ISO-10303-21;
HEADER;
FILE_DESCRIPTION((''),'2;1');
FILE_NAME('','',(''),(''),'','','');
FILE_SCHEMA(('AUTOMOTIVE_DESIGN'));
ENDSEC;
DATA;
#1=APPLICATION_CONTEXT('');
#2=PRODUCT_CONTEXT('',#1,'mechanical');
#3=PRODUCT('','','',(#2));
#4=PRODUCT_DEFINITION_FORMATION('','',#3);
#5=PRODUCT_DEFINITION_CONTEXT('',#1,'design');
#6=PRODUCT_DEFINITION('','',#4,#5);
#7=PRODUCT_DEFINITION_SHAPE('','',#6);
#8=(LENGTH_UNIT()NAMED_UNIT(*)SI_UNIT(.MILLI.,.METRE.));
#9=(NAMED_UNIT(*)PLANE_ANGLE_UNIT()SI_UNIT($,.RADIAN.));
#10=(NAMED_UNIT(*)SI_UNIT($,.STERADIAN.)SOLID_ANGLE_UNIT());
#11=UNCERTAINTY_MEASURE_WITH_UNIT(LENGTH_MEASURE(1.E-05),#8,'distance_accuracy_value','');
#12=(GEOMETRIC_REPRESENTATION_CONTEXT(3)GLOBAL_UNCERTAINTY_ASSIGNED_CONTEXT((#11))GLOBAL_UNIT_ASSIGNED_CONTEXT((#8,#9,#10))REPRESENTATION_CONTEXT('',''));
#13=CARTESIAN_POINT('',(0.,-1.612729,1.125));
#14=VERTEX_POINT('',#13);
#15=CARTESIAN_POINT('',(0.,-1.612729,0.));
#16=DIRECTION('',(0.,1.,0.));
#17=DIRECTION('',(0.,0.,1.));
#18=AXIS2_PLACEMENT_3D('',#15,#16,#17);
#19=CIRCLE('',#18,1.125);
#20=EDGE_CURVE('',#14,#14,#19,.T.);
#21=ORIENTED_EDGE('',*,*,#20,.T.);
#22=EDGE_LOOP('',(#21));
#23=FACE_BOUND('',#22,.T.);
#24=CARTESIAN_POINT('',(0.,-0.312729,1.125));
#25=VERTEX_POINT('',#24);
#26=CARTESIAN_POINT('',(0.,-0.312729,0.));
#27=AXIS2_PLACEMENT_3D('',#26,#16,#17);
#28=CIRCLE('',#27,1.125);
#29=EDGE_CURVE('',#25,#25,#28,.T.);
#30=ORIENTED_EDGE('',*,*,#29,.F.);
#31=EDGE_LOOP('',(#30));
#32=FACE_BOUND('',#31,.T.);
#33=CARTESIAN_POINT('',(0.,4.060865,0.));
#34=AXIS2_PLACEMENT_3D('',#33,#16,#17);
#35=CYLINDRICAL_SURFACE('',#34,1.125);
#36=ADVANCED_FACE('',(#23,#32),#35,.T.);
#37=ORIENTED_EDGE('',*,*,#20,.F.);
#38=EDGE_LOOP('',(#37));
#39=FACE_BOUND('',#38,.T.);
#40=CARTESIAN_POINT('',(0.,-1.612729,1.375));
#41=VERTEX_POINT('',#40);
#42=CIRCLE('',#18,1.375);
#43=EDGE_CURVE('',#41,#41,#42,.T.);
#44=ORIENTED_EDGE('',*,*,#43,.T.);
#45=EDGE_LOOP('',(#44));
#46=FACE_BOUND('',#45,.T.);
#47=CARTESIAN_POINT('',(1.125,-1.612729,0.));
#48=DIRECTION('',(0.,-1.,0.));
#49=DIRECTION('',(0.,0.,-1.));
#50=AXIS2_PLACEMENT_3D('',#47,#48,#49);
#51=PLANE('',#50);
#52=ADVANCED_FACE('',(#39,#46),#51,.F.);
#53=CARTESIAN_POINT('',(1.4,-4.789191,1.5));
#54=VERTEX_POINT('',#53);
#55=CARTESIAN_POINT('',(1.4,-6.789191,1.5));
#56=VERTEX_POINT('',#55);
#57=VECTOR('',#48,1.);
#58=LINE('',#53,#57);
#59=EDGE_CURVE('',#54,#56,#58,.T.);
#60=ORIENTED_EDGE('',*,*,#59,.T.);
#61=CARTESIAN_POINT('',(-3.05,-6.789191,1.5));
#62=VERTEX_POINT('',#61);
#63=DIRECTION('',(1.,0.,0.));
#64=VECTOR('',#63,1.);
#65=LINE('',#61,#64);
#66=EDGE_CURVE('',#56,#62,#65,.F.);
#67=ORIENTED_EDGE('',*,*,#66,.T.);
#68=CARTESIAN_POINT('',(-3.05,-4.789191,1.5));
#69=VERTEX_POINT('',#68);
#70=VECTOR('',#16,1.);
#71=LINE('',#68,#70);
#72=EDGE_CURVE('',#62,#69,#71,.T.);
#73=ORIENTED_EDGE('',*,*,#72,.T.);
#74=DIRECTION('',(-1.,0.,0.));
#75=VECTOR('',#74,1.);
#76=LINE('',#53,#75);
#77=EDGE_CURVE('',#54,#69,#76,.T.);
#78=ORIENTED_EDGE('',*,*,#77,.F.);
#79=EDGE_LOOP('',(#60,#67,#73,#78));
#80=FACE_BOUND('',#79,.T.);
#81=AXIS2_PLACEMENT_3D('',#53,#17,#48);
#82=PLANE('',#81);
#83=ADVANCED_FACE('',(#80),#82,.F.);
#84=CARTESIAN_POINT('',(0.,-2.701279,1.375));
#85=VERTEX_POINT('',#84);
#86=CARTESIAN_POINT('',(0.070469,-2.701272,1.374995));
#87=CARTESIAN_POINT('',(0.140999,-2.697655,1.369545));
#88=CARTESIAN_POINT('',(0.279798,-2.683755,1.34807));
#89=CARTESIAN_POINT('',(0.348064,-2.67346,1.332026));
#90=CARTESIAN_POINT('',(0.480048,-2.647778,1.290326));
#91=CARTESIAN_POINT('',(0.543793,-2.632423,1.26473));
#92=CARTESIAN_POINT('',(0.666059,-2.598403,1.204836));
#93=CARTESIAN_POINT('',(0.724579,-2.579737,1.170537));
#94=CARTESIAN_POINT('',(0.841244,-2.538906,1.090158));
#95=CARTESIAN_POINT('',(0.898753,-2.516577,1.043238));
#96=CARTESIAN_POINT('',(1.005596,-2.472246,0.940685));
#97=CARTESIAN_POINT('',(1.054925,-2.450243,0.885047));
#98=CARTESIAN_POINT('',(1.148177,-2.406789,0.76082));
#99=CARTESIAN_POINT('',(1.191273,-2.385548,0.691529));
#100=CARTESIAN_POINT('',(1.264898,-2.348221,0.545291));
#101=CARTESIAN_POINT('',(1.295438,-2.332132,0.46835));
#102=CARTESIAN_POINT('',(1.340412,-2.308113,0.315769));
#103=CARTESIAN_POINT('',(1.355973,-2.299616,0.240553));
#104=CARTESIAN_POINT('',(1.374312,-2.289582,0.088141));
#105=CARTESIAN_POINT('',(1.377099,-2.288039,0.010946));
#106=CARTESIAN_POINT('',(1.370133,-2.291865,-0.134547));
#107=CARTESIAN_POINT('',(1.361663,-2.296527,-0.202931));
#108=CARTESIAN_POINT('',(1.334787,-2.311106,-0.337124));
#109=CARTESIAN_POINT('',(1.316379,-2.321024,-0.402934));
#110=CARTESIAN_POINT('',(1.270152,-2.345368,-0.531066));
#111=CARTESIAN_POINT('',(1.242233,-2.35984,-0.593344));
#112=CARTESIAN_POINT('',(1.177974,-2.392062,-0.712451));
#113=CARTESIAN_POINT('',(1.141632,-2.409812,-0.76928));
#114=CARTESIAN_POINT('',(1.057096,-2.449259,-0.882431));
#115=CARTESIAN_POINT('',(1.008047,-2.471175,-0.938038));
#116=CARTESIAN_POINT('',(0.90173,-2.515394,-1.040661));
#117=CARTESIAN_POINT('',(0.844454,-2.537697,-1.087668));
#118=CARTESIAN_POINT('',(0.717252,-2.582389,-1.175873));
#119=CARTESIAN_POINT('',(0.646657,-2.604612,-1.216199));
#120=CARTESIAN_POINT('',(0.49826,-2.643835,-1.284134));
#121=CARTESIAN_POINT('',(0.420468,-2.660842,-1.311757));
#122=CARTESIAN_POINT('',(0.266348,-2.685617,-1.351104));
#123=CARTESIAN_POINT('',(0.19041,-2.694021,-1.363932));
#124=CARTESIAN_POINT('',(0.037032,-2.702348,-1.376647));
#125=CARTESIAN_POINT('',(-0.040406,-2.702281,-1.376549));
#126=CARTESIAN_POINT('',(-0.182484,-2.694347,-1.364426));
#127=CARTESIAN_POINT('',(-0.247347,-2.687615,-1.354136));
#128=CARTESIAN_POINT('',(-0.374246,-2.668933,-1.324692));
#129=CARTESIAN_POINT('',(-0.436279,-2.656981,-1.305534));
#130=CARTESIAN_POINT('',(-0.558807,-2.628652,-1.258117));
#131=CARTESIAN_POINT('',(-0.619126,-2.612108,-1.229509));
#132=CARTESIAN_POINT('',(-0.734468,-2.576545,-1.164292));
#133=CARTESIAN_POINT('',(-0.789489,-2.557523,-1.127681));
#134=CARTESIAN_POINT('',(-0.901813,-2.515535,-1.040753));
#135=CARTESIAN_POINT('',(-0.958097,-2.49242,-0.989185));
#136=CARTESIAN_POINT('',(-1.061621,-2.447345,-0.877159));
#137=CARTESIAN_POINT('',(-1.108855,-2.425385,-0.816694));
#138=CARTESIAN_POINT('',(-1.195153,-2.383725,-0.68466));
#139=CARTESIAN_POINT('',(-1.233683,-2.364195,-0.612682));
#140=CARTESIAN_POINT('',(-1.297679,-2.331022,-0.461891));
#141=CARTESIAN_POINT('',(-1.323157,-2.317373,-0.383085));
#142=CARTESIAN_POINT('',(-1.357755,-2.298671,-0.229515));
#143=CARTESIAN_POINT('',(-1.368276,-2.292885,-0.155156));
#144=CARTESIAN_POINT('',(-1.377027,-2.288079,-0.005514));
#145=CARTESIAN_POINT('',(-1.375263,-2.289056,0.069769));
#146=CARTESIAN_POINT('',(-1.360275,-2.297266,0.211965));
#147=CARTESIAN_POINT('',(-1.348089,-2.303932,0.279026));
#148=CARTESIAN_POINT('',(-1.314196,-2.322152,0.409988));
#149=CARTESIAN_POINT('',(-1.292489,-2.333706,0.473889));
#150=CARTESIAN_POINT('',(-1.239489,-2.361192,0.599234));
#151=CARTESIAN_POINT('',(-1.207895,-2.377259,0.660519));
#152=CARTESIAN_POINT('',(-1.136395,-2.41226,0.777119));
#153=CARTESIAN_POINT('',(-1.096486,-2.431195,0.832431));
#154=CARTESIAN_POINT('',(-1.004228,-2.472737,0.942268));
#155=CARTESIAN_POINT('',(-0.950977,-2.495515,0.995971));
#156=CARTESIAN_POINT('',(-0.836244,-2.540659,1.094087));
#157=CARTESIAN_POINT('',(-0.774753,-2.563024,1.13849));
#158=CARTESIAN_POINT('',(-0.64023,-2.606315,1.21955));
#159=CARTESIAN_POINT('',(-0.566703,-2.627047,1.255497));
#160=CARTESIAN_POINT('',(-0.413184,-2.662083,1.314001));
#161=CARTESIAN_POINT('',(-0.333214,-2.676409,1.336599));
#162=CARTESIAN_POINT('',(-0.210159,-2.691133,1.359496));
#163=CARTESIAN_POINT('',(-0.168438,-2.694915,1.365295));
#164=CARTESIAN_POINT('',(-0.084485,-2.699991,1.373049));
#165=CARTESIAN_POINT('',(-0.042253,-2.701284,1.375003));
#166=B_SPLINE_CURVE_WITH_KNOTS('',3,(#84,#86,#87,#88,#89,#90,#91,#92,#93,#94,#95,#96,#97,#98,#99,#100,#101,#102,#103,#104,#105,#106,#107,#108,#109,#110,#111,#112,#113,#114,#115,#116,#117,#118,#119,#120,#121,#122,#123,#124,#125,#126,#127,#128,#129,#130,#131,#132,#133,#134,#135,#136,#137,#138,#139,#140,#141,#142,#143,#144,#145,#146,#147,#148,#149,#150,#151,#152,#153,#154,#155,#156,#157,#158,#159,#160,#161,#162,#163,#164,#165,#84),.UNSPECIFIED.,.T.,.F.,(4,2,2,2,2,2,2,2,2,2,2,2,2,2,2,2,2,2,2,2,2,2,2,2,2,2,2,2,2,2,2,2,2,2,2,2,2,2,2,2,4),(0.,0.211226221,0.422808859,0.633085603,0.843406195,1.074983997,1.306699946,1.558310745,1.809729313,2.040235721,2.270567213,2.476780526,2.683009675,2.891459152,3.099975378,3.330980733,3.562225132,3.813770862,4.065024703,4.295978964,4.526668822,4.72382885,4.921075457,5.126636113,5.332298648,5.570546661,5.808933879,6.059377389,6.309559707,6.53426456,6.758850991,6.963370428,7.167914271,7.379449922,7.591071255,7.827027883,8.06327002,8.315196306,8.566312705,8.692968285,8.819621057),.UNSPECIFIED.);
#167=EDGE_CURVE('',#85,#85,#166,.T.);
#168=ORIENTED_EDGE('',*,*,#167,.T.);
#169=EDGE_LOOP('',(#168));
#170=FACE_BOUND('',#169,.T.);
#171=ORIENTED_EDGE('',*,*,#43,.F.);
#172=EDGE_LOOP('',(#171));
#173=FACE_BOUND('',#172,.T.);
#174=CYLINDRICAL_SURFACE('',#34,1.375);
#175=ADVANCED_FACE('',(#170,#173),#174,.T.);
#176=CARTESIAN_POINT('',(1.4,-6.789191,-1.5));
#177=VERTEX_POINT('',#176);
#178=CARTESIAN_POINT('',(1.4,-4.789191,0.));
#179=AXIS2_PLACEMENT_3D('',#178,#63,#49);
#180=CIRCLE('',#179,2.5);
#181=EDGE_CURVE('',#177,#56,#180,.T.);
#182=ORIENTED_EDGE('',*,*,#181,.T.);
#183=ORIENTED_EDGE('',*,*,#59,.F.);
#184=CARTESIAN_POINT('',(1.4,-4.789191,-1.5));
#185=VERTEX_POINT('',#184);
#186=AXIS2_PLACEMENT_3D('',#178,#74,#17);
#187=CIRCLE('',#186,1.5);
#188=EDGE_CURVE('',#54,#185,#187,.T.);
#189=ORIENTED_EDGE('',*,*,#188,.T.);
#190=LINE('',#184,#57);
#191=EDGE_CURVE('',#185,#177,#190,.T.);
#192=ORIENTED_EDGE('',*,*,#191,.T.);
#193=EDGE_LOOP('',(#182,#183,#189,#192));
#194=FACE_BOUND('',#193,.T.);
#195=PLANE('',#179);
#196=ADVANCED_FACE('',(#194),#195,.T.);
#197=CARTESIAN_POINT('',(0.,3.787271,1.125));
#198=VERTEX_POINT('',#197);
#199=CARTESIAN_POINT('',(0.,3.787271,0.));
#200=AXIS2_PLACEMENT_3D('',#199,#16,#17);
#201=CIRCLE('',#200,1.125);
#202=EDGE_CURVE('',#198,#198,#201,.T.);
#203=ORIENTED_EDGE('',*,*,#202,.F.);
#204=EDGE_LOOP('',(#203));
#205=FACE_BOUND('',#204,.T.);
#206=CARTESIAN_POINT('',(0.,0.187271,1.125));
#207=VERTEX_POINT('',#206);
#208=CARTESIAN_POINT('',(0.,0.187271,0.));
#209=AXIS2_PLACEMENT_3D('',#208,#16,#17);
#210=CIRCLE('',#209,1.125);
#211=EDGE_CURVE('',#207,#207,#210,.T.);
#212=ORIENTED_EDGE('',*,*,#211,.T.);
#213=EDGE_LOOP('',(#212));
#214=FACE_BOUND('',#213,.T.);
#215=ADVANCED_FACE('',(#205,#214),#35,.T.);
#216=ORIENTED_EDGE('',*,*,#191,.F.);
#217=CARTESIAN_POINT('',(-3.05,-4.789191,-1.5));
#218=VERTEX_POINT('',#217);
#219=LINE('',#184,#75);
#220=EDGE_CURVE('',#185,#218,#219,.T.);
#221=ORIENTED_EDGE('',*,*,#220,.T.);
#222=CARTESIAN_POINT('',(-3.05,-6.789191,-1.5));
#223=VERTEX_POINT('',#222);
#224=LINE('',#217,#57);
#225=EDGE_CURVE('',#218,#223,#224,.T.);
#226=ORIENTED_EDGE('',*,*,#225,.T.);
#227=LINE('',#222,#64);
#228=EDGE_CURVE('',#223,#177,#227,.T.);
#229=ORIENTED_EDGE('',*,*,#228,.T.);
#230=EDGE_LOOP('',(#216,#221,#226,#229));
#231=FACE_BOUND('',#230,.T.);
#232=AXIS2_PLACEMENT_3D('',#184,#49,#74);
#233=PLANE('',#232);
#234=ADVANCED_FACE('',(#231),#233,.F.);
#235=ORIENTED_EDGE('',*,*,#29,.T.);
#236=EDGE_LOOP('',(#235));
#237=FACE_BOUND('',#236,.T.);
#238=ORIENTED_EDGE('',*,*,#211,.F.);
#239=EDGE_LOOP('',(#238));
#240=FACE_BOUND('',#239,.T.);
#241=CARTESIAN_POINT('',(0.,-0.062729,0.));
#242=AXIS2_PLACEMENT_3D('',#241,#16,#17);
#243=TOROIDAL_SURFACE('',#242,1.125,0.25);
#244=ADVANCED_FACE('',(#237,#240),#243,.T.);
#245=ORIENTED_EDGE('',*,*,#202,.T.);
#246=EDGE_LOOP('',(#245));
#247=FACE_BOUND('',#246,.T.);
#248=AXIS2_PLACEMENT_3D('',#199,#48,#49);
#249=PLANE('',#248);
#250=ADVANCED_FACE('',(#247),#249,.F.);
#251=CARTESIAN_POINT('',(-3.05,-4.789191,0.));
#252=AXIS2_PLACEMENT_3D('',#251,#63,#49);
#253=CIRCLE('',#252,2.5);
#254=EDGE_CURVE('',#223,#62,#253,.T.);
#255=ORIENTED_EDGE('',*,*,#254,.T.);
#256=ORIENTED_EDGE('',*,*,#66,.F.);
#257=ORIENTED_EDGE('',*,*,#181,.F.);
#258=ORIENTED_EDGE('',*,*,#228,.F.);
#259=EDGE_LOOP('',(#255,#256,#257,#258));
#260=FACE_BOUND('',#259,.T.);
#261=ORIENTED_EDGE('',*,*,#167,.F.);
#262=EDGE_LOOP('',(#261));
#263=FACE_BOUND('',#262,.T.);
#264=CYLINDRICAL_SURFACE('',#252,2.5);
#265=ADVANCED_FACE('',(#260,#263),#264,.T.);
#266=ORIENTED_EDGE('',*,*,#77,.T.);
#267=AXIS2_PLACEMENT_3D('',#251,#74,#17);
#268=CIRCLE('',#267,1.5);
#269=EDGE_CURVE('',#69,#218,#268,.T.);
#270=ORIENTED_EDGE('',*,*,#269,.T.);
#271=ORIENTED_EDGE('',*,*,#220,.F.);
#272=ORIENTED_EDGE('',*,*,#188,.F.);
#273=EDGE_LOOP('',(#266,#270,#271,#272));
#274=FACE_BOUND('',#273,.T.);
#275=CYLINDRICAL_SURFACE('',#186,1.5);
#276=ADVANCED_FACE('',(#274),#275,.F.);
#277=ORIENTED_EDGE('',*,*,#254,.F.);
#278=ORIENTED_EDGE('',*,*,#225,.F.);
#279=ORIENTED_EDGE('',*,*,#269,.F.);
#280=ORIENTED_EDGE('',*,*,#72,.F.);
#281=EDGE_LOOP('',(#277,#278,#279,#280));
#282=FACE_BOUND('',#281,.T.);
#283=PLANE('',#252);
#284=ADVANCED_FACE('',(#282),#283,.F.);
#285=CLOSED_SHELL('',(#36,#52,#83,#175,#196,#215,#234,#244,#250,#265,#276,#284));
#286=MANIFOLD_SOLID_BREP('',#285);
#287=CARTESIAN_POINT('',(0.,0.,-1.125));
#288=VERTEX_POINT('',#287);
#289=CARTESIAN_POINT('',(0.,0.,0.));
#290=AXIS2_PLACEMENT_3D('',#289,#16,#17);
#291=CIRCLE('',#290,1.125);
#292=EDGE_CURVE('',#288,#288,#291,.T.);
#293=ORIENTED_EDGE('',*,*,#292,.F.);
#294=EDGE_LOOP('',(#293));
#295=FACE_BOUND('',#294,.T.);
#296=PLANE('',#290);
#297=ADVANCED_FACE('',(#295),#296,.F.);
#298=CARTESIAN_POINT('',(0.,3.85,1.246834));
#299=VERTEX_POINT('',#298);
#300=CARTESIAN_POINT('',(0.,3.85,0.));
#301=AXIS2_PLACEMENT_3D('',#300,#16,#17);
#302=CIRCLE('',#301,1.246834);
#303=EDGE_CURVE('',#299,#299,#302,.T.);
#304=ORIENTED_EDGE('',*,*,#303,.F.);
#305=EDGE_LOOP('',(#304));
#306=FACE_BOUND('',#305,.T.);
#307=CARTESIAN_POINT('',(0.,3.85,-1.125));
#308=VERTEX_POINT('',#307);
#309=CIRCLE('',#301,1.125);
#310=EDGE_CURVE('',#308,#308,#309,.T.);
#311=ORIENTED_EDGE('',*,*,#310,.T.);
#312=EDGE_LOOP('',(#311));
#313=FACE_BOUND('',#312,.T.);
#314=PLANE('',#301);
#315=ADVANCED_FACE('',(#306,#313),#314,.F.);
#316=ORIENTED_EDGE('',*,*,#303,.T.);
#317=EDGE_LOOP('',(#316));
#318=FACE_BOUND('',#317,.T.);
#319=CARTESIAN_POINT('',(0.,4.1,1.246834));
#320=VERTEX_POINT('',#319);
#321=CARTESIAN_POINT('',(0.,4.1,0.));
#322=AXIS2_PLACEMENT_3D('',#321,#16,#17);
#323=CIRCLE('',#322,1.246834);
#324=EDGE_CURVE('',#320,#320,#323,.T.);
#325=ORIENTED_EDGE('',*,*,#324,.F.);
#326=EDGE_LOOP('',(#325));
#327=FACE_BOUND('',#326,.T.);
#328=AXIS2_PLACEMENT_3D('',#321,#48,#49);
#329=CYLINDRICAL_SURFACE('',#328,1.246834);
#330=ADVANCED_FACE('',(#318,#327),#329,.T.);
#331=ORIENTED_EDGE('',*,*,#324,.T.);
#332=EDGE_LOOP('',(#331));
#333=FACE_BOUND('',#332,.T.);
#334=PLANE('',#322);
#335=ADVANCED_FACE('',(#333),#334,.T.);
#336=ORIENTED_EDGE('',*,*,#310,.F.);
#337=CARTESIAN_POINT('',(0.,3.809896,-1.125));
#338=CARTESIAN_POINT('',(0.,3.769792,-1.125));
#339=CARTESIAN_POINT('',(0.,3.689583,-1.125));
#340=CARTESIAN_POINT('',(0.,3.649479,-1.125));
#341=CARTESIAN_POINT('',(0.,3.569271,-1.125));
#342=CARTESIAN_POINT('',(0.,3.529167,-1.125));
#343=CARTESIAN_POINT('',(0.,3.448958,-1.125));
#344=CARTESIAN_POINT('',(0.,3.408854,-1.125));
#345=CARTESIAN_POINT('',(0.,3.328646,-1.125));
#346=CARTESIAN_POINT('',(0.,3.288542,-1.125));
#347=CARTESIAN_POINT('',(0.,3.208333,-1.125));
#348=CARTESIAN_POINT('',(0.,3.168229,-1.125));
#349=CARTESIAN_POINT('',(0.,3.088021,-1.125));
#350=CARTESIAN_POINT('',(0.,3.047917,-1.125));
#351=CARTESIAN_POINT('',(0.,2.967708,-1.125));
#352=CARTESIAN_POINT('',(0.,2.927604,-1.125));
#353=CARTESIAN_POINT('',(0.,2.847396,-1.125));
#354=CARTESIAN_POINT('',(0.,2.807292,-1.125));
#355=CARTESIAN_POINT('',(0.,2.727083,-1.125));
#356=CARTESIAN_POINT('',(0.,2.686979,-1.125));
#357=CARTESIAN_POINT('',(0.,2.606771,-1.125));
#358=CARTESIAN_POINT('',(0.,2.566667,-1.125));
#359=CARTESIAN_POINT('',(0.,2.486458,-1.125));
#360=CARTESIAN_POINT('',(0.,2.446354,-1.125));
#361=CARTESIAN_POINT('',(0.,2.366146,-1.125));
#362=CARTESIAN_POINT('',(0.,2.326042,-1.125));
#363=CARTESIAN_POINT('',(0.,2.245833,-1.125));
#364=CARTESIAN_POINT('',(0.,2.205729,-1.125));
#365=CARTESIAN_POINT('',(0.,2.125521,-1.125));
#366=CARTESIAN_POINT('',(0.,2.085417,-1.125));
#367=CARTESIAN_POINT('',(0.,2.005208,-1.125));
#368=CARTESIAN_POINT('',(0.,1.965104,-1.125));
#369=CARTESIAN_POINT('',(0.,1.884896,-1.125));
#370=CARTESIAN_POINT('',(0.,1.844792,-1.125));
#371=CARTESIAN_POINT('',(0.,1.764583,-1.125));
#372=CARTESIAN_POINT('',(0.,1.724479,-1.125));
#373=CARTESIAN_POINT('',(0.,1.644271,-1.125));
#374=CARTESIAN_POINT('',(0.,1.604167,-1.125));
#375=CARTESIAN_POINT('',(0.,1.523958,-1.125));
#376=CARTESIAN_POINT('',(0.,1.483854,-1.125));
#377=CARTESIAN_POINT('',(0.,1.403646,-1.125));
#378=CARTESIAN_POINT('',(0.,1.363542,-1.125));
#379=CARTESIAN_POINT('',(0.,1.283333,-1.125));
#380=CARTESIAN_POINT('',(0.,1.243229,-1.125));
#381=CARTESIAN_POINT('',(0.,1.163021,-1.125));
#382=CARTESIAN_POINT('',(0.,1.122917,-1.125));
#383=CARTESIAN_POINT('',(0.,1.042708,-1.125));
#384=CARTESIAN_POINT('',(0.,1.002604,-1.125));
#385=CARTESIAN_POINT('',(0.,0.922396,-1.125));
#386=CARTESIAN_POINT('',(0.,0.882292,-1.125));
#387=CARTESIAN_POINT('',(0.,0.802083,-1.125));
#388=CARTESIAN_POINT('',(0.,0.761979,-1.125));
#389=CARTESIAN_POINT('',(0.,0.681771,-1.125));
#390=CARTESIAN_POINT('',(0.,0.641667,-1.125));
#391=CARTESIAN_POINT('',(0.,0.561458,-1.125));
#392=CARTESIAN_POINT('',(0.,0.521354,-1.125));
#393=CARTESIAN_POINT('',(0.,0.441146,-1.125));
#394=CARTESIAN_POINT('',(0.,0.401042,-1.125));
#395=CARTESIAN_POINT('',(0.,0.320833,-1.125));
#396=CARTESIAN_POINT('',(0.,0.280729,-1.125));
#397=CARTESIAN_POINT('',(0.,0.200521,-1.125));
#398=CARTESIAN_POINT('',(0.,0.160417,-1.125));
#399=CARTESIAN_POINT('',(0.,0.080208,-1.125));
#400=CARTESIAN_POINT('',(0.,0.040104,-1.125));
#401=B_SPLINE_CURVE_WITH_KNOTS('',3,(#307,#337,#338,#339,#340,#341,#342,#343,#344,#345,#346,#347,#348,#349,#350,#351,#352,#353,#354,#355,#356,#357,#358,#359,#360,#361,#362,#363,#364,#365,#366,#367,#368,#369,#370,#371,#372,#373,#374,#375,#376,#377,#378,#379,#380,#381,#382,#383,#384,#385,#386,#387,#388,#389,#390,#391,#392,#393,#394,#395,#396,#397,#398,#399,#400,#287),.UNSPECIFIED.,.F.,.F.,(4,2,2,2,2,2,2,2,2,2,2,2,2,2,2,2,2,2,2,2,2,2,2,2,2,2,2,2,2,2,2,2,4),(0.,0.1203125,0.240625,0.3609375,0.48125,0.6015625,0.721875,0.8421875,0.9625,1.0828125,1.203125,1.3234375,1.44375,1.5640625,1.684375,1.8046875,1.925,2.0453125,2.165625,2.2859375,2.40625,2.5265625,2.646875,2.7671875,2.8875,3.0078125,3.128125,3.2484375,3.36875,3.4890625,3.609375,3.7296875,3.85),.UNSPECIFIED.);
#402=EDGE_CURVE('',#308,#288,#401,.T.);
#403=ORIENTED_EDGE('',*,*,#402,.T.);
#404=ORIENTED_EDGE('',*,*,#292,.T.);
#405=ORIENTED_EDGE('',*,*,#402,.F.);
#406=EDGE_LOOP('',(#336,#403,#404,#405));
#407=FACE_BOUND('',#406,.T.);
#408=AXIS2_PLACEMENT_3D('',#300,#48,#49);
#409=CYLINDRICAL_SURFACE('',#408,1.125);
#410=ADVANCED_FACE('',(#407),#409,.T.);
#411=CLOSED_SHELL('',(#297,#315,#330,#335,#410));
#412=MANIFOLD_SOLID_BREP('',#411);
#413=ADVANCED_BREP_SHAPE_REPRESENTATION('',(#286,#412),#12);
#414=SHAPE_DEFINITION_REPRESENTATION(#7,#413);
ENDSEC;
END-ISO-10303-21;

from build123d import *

# Parameters (mm, degrees)
BOSS_EXTRUDE3_DEPTH      = 1.4
BOSS_EXTRUDE3_DEPTH_BACK = 3.05
SKETCH6_R                = 2.5
CUT_EXTRUDE1_DEPTH       = 4.45
SKETCH2_R                = 1.125
BOSS_EXTRUDE1_DEPTH      = 3.85
SKETCH3_R                = 1.246833692
BOSS_EXTRUDE2_DEPTH      = 0.25


with BuildPart() as part:
    # Sketch4 → Revolve1 (revolve)
    with BuildSketch(Plane.XY, mode=Mode.PRIVATE) as revolve1_sk:
        with BuildLine():
            Line((0, 3.787270611), (1.125, 3.787270611))
            Line((1.125, 3.787270611), (1.125, 0.187270611))
            ThreePointArc((1.125, 0.187270611), (1.375, -0.062729389), (1.125, -0.312729389))
            Line((1.125, -0.312729389), (1.125, -1.612729389))
            Line((1.125, -1.612729389), (1.375, -1.612729389))
            Line((1.375, -1.612729389), (1.375, -2.712729389))
            Line((1.375, -2.712729389), (0, -2.712729389))
            Line((0, -2.712729389), (0, 3.787270611))
        make_face()
    revolve(revolve1_sk.sketch.rotate(Axis((0, 4.060864589, 0), (0, -1, 0)), 90), axis=Axis((0, 4.060864589, 0), (0, -1, 0)))

    # Sketch6 → Boss-Extrude3 (add, two sides: drawn at the far end of the back side and taken through both)
    with BuildSketch(Plane(origin=(0, 0, 0), x_dir=(0, 0, -1), z_dir=(1, 0, 0)).offset(-BOSS_EXTRUDE3_DEPTH_BACK)):
        with Locations((0, -4.789190855)):
            Circle(SKETCH6_R)
    extrude(amount=BOSS_EXTRUDE3_DEPTH + BOSS_EXTRUDE3_DEPTH_BACK)

    # Sketch7 → Cut-Extrude1 (cut)
    with BuildSketch(Plane.ZY.offset(3.05)):
        with BuildLine():
            Line((-1.5, -4.789190855), (-1.5, -7.570753065))
            Line((-1.5, -7.570753065), (1.5, -7.570753065))
            Line((1.5, -7.570753065), (1.5, -4.789190855))
            ThreePointArc((1.5, -4.789190855), (0, -3.289190855), (-1.5, -4.789190855))
        make_face()
    extrude(amount=-CUT_EXTRUDE1_DEPTH, mode=Mode.SUBTRACT)


with BuildPart() as body_2:
    # Sketch2 → Boss-Extrude1 (new body)
    with BuildSketch(Plane(origin=(0, 0, 0), x_dir=(1, 0, 0), z_dir=(0, 1, 0))):
        with Locations(Location((0, 0, 0), (0, 0, 90))):
            Circle(SKETCH2_R)
    extrude(amount=BOSS_EXTRUDE1_DEPTH)

    # Sketch3 → Boss-Extrude2 (add)
    with BuildSketch(Plane(origin=(0, 3.85, 0), x_dir=(1, 0, 0), z_dir=(0, 1, 0))):
        with Locations(Location((0, 0, 0), (0, 0, 270))):
            Circle(SKETCH3_R)
    extrude(amount=BOSS_EXTRUDE2_DEPTH)


solid = Compound([part.part, body_2.part])
